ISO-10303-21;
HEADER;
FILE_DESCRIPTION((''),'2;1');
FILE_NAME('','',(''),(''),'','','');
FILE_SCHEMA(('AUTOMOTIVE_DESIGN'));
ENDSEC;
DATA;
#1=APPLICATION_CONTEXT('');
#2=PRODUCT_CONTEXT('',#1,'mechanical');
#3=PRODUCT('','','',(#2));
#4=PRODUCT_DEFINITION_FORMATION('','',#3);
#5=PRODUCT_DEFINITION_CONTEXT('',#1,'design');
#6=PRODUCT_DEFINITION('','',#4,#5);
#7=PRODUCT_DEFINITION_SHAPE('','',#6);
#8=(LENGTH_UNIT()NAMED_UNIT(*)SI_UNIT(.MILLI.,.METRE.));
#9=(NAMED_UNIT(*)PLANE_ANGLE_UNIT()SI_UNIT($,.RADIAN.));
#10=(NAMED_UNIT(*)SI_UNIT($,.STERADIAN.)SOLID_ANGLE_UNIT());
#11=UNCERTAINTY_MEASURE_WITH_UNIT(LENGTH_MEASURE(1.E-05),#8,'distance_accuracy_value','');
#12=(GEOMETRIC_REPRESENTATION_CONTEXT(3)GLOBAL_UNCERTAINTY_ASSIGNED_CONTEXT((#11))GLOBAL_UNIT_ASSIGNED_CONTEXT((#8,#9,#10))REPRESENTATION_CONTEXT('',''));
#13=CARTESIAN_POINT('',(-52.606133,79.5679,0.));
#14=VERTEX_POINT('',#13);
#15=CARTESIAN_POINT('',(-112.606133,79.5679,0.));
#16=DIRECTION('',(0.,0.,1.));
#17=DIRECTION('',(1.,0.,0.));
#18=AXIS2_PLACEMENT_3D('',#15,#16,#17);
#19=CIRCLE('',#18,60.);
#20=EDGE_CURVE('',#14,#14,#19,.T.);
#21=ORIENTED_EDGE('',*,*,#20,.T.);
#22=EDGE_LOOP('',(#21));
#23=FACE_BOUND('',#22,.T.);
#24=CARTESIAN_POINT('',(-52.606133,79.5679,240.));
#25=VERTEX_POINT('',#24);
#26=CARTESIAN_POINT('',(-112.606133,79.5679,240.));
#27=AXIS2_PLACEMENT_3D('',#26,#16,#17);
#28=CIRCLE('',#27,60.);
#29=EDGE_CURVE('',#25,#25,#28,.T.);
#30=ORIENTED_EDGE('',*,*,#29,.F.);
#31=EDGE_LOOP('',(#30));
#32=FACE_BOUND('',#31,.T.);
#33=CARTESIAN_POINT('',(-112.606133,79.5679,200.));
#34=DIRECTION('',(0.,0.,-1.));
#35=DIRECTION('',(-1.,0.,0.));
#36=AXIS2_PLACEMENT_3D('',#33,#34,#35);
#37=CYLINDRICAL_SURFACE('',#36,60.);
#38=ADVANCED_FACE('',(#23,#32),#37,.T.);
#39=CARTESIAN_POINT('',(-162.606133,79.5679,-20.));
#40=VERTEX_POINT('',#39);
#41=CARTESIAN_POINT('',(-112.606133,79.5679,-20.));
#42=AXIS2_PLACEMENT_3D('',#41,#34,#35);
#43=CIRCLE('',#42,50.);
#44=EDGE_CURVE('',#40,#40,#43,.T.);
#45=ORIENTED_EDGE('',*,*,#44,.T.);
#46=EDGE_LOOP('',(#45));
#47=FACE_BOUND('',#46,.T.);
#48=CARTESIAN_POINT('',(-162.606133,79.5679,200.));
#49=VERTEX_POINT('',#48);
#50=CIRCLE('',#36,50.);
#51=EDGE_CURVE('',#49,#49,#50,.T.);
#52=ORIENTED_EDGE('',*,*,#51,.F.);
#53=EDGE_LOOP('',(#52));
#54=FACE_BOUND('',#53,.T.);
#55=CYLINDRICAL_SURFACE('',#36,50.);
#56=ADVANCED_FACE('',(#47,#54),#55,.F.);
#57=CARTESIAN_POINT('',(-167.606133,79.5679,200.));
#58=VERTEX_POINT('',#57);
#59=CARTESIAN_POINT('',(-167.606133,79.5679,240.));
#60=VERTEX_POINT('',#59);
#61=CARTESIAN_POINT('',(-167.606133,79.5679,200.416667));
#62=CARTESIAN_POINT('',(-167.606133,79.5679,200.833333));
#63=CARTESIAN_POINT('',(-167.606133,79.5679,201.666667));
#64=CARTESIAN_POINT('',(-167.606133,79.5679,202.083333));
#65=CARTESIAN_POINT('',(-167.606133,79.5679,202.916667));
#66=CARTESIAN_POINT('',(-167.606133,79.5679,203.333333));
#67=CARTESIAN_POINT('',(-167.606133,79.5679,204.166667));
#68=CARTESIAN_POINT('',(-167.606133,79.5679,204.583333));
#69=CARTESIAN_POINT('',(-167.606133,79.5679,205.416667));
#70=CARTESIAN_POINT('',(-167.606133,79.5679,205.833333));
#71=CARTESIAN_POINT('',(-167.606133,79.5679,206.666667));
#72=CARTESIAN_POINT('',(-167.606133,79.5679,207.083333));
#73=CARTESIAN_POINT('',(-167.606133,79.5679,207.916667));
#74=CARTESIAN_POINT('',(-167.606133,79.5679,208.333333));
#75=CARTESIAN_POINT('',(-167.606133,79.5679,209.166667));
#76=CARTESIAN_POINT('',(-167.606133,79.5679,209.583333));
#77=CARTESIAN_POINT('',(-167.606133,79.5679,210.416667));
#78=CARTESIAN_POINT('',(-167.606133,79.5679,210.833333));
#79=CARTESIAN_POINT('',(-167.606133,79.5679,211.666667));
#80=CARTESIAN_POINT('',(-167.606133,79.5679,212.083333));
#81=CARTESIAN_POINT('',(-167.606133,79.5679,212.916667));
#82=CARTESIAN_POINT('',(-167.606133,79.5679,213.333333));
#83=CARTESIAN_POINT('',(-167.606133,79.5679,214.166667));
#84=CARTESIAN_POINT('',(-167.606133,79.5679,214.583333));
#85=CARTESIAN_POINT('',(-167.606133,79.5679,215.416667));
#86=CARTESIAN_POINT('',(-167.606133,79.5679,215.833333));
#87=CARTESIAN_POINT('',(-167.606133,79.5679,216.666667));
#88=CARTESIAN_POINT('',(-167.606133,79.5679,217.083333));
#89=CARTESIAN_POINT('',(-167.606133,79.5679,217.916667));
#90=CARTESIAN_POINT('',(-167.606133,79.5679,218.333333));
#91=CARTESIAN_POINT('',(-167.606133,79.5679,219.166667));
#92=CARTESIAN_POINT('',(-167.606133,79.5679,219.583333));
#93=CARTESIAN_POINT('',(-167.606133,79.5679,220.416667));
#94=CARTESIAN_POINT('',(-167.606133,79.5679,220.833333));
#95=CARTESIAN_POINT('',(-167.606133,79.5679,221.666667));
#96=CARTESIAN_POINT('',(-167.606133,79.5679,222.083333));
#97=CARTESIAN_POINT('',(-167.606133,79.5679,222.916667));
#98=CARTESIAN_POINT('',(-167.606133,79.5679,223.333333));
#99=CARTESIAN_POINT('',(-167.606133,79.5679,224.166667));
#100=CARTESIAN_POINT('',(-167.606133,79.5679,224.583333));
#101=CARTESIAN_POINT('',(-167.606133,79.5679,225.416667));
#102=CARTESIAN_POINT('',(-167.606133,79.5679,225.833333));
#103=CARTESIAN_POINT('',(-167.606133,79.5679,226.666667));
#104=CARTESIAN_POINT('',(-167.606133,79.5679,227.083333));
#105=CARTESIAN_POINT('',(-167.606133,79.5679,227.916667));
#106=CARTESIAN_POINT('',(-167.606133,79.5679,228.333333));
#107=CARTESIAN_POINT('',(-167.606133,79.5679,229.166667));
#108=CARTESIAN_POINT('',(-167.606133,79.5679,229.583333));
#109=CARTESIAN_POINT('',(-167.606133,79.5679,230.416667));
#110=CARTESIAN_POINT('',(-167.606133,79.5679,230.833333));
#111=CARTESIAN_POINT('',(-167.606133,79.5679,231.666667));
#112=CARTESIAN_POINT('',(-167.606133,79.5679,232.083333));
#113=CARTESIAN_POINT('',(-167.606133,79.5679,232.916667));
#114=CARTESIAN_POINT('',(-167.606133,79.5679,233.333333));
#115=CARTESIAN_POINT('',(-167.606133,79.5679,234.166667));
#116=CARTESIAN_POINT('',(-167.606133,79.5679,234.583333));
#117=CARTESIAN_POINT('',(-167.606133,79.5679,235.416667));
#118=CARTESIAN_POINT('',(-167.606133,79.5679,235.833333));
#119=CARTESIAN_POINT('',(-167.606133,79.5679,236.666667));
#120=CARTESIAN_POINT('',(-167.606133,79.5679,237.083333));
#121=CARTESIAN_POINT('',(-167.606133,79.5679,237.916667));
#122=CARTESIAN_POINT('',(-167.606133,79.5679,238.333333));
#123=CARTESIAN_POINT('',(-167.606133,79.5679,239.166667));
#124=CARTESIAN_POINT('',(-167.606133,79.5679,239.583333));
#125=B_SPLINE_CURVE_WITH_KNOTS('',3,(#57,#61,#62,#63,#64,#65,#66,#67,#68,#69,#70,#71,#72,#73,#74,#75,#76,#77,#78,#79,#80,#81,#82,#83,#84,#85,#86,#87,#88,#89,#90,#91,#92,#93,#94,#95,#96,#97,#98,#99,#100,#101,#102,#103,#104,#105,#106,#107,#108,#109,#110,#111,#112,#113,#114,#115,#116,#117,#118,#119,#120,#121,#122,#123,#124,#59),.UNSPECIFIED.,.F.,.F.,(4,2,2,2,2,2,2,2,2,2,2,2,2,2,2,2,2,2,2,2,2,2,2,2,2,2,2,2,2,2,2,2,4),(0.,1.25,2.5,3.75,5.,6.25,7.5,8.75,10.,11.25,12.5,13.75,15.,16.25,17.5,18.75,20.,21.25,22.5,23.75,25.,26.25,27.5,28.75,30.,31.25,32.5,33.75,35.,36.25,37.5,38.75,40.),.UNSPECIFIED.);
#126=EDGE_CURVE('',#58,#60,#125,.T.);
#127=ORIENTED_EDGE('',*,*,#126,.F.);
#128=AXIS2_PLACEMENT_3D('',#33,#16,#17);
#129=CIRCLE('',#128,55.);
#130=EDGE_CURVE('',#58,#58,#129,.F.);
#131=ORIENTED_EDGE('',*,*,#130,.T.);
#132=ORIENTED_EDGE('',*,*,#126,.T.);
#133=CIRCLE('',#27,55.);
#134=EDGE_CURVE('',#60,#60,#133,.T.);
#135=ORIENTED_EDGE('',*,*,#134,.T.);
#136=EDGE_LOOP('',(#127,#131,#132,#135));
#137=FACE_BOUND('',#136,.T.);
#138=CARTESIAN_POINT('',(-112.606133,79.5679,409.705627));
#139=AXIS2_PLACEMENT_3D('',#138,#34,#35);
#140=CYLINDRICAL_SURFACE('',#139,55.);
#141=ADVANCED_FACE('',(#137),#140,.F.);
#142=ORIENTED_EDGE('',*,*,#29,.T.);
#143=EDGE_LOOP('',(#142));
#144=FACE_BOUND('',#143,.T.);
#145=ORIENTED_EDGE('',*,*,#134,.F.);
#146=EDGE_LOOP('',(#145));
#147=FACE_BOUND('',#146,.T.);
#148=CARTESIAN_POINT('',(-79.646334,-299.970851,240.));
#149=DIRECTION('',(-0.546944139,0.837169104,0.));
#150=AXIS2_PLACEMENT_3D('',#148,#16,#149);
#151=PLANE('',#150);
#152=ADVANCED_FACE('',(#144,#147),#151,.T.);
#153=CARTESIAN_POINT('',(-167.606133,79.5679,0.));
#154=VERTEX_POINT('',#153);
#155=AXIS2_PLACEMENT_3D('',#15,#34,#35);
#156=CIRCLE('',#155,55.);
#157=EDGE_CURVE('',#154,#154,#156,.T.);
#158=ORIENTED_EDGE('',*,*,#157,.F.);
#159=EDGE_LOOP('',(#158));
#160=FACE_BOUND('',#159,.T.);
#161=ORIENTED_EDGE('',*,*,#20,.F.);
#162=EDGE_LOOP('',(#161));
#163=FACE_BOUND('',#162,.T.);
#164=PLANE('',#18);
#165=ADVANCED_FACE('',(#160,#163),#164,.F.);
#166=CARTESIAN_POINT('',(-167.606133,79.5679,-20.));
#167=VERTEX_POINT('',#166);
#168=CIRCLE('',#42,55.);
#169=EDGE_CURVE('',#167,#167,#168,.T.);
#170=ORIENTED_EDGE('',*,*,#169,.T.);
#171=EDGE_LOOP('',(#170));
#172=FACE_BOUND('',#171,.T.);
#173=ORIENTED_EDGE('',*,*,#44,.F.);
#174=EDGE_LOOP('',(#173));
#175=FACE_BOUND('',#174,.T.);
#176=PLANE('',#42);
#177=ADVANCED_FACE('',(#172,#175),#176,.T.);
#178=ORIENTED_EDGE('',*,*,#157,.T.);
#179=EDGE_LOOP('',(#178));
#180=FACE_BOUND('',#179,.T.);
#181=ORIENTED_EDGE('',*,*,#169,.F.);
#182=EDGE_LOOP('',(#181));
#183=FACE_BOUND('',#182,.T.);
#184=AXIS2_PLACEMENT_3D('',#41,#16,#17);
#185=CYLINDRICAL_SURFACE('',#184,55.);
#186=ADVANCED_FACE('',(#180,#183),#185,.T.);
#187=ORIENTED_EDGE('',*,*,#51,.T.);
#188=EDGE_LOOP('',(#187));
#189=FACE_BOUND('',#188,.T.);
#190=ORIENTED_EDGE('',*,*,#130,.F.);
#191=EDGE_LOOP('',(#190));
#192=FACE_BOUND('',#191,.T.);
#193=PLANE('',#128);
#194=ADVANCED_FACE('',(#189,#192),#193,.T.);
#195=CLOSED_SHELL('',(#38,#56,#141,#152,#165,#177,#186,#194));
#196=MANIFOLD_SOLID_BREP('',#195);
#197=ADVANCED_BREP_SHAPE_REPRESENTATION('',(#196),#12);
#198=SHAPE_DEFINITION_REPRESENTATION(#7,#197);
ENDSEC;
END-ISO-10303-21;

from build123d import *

# Parameters (mm, degrees)
SKETCH_2_R          = 60
EXTRUDE_1_DEPTH     = 200
SKETCH_3_R          = 50
CUT_EXTRUDE_1_DEPTH = 200
EXTRUDE_START       = 20
SKETCH_4_R          = 55
SKETCH_4_R_2        = 50
EXTRUDE_2_DEPTH     = 20
SKETCH_5_R          = 60
SKETCH_5_R_2        = 55
EXTRUDE_3_DEPTH     = 40


with BuildPart() as part:
    # 草图2 → 凸台-拉伸1 (new body)
    with BuildSketch(Plane.XY):
        with Locations((-112.606133367, 79.56790028)):
            Circle(SKETCH_2_R)
    extrude(amount=EXTRUDE_1_DEPTH)

    # 草图3 → 切除-拉伸1 (cut)
    with BuildSketch(Plane(origin=(0, 0, 0), x_dir=(-1, 0, 0), z_dir=(0, 0, -1))):
        with Locations((112.606133367, 79.56790028)):
            Circle(SKETCH_3_R)
    extrude(amount=-CUT_EXTRUDE_1_DEPTH, mode=Mode.SUBTRACT)

    # 草图4 → 凸台-拉伸2 (add)
    with BuildSketch(Plane(origin=(0, 0, 0), x_dir=(-1, 0, 0), z_dir=(0, 0, -1)).offset(EXTRUDE_START)):
        with Locations((112.606133367, 79.56790028)):
            Circle(SKETCH_4_R)
        with Locations((112.606133367, 79.56790028)):
            Circle(SKETCH_4_R_2, mode=Mode.SUBTRACT)
    extrude(amount=-EXTRUDE_2_DEPTH)

    # 草图5 → 凸台-拉伸3 (add)
    with BuildSketch(Plane.XY.offset(200)):
        with Locations((-112.606133367, 79.56790028)):
            Circle(SKETCH_5_R)
        with Locations(Location((-112.606133367, 79.56790028, 0), (0, 0, 180))):
            Circle(SKETCH_5_R_2, mode=Mode.SUBTRACT)
    extrude(amount=EXTRUDE_3_DEPTH)


solid = part.part
